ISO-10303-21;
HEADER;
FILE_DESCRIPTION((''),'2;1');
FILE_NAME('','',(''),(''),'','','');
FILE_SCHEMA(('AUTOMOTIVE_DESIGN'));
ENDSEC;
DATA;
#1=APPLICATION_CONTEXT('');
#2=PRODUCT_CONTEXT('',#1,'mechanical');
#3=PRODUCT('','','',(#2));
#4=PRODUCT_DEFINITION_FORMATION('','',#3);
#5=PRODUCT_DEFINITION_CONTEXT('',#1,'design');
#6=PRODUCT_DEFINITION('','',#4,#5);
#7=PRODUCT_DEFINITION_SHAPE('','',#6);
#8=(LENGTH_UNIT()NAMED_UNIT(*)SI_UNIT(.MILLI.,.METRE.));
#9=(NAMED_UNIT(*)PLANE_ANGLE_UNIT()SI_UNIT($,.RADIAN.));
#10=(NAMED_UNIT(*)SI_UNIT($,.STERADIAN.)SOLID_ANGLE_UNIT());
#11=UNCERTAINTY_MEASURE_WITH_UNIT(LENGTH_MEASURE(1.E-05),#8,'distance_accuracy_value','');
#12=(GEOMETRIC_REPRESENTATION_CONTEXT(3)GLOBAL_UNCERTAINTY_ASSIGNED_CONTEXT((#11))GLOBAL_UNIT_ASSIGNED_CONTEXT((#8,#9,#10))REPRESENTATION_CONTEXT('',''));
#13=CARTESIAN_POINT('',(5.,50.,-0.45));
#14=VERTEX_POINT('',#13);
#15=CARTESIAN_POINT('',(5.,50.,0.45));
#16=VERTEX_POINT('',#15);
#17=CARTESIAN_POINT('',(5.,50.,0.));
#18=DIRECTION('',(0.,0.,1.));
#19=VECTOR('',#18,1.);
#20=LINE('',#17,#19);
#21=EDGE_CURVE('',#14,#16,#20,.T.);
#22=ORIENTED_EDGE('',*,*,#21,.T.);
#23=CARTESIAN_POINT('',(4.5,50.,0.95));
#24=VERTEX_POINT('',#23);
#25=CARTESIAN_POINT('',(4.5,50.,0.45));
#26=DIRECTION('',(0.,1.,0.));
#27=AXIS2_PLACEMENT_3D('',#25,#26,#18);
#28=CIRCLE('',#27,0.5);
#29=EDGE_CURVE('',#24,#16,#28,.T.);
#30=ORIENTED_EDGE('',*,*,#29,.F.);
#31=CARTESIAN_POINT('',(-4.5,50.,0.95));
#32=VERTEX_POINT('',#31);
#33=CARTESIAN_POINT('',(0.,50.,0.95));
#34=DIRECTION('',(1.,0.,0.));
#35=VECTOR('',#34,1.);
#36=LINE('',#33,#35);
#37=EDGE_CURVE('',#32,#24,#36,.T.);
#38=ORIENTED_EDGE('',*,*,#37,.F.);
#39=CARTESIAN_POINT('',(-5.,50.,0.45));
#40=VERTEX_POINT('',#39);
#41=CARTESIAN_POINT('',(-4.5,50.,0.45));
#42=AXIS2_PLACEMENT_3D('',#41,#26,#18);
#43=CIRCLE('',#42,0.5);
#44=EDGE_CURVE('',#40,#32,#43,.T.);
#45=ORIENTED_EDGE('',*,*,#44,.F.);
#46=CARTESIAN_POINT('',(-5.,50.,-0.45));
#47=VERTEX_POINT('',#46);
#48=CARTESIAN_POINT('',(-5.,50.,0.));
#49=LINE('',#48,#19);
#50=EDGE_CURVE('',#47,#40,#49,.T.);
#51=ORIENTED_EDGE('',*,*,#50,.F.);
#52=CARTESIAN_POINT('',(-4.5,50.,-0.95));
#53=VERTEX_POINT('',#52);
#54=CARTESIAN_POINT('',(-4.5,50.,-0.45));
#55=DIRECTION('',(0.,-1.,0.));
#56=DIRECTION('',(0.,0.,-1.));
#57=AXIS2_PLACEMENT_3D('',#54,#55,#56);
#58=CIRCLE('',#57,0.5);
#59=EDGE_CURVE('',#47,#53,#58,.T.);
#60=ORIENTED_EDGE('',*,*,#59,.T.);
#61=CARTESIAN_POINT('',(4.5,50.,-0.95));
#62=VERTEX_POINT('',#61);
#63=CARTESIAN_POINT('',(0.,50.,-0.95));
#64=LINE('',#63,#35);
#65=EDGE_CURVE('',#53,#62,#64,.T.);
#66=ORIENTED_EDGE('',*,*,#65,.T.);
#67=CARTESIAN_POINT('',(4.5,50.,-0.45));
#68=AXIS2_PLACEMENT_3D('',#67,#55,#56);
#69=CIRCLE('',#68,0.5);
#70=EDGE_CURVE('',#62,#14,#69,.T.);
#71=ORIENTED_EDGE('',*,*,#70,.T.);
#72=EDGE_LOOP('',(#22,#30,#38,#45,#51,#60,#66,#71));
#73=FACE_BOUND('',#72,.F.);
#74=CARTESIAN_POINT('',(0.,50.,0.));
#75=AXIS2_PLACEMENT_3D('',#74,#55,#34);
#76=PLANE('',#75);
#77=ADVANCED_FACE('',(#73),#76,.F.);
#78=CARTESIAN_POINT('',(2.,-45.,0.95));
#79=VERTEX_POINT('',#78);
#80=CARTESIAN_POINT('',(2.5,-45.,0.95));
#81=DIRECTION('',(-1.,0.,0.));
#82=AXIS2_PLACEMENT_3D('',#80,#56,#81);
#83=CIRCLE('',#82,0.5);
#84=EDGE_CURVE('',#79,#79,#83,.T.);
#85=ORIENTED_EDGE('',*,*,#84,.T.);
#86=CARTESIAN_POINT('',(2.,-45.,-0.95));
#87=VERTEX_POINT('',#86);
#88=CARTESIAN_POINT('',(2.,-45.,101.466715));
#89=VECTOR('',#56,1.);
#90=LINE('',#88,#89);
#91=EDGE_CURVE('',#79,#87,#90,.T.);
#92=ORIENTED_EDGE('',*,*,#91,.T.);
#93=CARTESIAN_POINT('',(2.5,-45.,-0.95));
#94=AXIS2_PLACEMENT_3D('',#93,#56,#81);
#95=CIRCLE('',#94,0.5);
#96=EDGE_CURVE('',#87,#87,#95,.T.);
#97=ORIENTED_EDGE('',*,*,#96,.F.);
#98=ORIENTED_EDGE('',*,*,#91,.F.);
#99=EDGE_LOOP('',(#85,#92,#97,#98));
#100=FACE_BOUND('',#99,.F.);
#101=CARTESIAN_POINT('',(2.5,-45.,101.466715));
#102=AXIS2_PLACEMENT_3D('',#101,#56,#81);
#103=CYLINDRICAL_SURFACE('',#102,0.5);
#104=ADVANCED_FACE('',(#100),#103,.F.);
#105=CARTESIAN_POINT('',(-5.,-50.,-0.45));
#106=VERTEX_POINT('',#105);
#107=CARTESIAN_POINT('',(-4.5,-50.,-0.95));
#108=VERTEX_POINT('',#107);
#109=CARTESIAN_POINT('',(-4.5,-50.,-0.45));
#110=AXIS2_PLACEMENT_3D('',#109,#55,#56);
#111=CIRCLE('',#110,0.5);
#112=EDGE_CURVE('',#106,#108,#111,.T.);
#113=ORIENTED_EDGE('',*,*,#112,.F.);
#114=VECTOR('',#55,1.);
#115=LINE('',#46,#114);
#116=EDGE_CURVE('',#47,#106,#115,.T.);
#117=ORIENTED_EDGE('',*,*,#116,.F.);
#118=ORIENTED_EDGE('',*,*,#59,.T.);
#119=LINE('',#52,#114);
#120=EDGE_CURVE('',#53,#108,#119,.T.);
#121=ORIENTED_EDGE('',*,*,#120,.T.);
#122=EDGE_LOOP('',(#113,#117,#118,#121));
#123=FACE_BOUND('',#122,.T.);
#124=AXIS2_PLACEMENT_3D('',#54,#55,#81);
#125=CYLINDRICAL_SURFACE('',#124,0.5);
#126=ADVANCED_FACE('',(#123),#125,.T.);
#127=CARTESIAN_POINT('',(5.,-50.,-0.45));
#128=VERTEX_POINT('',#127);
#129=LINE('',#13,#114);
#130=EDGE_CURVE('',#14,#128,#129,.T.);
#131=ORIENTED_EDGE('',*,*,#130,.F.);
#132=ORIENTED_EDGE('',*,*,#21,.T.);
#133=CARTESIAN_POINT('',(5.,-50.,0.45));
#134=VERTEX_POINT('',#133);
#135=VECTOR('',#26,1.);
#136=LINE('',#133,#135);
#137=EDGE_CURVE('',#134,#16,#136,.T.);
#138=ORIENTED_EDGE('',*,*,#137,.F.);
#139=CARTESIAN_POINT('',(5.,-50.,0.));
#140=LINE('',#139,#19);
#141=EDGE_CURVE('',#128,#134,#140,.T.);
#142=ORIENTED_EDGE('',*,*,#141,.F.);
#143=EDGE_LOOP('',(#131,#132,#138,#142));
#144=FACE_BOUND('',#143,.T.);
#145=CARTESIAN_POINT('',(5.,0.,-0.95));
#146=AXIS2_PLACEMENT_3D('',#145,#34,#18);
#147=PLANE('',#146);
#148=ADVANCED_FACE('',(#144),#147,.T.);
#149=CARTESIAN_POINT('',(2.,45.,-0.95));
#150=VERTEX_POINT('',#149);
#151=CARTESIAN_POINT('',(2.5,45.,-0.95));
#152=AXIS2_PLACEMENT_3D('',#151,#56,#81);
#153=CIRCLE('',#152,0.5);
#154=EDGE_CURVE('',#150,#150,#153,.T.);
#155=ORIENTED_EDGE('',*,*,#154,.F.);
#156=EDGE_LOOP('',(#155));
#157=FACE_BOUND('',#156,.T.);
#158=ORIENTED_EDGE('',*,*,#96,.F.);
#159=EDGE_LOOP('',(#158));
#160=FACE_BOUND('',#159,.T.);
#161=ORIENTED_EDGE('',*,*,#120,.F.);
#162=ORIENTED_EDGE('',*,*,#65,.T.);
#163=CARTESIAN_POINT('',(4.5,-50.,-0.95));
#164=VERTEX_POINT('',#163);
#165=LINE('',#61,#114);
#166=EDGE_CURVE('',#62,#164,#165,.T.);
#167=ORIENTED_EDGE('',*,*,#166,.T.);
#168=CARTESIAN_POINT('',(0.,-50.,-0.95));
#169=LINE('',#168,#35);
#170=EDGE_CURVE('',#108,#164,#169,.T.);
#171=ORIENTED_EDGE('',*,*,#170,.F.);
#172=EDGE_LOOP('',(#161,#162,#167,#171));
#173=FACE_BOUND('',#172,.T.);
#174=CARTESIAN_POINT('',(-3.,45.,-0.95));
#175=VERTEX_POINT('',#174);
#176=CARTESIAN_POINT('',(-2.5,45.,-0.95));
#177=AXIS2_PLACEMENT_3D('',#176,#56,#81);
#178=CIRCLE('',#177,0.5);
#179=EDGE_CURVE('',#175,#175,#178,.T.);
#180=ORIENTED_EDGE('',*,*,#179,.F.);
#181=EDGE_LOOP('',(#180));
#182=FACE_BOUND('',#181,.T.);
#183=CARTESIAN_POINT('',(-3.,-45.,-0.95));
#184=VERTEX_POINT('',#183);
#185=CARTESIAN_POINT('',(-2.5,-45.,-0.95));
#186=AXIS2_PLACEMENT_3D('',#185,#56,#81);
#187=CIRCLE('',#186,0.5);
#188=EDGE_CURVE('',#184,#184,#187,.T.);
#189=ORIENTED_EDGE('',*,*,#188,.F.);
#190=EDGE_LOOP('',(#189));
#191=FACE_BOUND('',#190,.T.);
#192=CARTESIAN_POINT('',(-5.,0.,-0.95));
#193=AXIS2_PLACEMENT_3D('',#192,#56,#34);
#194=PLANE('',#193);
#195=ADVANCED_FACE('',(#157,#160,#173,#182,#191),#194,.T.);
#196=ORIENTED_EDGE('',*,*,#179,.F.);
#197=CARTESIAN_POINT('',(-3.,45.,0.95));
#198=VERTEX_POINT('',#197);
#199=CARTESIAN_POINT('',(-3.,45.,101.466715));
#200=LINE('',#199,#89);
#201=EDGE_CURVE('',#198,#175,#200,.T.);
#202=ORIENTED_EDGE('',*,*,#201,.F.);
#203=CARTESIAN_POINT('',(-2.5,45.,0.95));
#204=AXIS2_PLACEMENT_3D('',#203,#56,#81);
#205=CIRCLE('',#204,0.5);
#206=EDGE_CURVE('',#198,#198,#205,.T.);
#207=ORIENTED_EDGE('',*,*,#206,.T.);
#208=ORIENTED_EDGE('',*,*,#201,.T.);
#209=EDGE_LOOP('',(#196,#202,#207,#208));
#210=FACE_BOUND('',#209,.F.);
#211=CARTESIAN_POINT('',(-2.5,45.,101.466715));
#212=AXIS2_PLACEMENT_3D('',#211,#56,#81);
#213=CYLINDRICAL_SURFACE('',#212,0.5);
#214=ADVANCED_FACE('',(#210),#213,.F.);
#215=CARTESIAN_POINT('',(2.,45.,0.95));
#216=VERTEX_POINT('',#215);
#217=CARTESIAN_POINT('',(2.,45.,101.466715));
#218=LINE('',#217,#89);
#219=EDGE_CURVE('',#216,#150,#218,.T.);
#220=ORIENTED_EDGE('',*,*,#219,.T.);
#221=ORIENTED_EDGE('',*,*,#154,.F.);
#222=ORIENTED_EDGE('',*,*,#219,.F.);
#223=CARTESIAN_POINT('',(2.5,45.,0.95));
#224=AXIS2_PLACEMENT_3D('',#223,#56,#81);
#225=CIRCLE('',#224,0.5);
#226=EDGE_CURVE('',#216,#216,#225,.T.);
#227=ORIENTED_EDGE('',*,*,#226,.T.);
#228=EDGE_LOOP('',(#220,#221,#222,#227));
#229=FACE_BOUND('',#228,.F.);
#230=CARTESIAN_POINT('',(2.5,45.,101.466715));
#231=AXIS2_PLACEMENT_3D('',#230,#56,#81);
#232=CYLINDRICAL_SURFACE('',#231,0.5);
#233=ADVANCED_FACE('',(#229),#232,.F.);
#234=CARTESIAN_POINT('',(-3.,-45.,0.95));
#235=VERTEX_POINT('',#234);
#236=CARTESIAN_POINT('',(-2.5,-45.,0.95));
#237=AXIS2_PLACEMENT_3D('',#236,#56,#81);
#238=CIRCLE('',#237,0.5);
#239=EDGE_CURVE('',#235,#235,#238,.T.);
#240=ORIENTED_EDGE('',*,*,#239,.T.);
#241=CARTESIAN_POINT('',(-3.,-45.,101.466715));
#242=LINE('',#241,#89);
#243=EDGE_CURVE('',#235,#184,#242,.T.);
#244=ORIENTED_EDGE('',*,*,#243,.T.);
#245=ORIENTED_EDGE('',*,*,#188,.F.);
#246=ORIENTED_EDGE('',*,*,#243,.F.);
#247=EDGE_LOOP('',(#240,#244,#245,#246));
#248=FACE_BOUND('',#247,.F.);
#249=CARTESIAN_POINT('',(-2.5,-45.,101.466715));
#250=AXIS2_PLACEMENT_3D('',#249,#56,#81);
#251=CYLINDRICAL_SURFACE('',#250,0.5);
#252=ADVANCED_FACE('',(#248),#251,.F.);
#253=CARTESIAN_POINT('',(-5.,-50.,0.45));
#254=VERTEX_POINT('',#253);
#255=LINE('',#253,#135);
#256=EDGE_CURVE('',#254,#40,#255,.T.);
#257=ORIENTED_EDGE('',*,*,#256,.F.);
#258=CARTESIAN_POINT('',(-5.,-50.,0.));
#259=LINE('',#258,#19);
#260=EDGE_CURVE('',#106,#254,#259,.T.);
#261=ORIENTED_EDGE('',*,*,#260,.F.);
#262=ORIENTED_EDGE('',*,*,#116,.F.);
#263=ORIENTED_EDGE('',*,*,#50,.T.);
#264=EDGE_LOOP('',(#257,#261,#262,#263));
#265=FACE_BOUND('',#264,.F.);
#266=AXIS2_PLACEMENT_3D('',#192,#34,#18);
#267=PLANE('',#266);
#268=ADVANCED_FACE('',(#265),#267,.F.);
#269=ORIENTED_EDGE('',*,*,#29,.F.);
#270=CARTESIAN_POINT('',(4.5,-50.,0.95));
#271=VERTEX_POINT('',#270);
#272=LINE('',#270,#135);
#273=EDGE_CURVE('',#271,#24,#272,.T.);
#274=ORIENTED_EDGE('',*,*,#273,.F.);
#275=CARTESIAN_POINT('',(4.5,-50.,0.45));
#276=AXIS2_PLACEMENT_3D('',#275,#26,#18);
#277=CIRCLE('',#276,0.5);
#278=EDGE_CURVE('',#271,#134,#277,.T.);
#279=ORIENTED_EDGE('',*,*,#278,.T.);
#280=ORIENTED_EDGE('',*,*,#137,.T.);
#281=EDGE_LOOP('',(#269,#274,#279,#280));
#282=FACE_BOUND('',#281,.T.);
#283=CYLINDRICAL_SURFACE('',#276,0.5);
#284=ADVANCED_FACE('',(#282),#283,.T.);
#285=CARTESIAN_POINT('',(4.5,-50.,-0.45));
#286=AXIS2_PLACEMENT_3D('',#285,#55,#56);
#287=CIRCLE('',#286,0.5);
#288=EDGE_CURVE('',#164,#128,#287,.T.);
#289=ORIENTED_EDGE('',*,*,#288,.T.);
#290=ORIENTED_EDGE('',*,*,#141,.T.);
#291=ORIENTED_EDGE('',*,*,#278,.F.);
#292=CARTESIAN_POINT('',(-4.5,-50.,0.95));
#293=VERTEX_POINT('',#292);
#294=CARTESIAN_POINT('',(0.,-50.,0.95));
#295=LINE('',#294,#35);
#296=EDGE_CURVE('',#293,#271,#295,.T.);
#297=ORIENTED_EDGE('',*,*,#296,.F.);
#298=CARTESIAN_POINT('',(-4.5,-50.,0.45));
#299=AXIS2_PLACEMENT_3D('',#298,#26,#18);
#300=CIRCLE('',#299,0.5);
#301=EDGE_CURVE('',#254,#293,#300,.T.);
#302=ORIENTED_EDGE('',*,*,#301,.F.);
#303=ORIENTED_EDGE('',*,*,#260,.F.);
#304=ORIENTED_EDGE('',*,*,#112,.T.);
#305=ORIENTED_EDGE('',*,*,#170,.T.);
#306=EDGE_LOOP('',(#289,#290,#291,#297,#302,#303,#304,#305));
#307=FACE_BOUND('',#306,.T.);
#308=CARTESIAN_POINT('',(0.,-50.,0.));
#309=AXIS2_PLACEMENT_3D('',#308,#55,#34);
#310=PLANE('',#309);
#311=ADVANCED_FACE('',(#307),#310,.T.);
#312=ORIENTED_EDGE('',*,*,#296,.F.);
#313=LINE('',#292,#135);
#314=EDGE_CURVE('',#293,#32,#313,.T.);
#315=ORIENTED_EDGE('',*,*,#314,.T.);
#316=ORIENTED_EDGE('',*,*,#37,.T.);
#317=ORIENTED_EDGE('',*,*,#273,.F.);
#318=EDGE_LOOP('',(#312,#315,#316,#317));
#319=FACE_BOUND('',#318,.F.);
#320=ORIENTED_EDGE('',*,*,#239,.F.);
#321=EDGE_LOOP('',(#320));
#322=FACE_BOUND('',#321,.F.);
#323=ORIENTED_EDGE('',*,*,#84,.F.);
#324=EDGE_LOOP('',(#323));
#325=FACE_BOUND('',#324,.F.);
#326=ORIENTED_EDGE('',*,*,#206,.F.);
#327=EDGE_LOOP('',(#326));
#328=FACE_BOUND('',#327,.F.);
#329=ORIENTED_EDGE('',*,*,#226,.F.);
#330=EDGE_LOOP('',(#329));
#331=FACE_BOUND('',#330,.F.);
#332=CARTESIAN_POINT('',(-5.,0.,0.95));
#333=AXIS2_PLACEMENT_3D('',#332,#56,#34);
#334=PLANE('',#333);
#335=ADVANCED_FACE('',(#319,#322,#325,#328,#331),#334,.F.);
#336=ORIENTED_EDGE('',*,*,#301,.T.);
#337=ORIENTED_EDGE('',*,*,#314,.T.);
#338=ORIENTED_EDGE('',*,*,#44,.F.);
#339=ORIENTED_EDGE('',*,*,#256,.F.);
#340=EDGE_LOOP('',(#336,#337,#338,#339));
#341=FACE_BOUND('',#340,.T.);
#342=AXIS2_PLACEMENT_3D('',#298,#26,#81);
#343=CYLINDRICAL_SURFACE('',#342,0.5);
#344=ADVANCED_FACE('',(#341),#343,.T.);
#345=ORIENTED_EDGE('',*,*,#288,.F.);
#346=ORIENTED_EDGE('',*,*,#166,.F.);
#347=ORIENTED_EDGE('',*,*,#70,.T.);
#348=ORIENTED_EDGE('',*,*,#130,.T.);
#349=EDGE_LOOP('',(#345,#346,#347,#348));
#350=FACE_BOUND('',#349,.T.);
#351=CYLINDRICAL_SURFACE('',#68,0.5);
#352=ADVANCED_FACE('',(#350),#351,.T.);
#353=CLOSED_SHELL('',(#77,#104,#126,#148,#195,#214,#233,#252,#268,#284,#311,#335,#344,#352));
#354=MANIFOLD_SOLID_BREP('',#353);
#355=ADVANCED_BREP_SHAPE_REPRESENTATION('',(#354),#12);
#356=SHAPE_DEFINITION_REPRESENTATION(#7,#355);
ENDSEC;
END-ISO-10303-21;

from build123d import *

# Parameters (mm, degrees)
F0_W     = 10
F0_H     = 1.9
F1_DEPTH = 50
F3_D     = 1
F4_R     = 0.5


with BuildPart() as f1:
    # F0 (on Front) → F1 (new body, symmetric)
    with BuildSketch(Plane.XZ):
        Rectangle(F0_W, F0_H)
    extrude(amount=F1_DEPTH, both=True)

    # F3 (through all)
    with Locations(Plane.XY.offset(0.95)):
        with Locations((-2.5, 45), (2.5, 45), (-2.5, -45), (2.5, -45)):
            Hole(F3_D / 2)

    # F4
    f4_edges = [f1.edges().sort_by_distance(p)[0] for p in [
        (5, 0, 0.95),
        (-5, 0, 0.95),
        (5, 0, -0.95),
        (-5, 0, -0.95),
    ]]
    fillet(f4_edges, radius=F4_R)


solid = f1.part
